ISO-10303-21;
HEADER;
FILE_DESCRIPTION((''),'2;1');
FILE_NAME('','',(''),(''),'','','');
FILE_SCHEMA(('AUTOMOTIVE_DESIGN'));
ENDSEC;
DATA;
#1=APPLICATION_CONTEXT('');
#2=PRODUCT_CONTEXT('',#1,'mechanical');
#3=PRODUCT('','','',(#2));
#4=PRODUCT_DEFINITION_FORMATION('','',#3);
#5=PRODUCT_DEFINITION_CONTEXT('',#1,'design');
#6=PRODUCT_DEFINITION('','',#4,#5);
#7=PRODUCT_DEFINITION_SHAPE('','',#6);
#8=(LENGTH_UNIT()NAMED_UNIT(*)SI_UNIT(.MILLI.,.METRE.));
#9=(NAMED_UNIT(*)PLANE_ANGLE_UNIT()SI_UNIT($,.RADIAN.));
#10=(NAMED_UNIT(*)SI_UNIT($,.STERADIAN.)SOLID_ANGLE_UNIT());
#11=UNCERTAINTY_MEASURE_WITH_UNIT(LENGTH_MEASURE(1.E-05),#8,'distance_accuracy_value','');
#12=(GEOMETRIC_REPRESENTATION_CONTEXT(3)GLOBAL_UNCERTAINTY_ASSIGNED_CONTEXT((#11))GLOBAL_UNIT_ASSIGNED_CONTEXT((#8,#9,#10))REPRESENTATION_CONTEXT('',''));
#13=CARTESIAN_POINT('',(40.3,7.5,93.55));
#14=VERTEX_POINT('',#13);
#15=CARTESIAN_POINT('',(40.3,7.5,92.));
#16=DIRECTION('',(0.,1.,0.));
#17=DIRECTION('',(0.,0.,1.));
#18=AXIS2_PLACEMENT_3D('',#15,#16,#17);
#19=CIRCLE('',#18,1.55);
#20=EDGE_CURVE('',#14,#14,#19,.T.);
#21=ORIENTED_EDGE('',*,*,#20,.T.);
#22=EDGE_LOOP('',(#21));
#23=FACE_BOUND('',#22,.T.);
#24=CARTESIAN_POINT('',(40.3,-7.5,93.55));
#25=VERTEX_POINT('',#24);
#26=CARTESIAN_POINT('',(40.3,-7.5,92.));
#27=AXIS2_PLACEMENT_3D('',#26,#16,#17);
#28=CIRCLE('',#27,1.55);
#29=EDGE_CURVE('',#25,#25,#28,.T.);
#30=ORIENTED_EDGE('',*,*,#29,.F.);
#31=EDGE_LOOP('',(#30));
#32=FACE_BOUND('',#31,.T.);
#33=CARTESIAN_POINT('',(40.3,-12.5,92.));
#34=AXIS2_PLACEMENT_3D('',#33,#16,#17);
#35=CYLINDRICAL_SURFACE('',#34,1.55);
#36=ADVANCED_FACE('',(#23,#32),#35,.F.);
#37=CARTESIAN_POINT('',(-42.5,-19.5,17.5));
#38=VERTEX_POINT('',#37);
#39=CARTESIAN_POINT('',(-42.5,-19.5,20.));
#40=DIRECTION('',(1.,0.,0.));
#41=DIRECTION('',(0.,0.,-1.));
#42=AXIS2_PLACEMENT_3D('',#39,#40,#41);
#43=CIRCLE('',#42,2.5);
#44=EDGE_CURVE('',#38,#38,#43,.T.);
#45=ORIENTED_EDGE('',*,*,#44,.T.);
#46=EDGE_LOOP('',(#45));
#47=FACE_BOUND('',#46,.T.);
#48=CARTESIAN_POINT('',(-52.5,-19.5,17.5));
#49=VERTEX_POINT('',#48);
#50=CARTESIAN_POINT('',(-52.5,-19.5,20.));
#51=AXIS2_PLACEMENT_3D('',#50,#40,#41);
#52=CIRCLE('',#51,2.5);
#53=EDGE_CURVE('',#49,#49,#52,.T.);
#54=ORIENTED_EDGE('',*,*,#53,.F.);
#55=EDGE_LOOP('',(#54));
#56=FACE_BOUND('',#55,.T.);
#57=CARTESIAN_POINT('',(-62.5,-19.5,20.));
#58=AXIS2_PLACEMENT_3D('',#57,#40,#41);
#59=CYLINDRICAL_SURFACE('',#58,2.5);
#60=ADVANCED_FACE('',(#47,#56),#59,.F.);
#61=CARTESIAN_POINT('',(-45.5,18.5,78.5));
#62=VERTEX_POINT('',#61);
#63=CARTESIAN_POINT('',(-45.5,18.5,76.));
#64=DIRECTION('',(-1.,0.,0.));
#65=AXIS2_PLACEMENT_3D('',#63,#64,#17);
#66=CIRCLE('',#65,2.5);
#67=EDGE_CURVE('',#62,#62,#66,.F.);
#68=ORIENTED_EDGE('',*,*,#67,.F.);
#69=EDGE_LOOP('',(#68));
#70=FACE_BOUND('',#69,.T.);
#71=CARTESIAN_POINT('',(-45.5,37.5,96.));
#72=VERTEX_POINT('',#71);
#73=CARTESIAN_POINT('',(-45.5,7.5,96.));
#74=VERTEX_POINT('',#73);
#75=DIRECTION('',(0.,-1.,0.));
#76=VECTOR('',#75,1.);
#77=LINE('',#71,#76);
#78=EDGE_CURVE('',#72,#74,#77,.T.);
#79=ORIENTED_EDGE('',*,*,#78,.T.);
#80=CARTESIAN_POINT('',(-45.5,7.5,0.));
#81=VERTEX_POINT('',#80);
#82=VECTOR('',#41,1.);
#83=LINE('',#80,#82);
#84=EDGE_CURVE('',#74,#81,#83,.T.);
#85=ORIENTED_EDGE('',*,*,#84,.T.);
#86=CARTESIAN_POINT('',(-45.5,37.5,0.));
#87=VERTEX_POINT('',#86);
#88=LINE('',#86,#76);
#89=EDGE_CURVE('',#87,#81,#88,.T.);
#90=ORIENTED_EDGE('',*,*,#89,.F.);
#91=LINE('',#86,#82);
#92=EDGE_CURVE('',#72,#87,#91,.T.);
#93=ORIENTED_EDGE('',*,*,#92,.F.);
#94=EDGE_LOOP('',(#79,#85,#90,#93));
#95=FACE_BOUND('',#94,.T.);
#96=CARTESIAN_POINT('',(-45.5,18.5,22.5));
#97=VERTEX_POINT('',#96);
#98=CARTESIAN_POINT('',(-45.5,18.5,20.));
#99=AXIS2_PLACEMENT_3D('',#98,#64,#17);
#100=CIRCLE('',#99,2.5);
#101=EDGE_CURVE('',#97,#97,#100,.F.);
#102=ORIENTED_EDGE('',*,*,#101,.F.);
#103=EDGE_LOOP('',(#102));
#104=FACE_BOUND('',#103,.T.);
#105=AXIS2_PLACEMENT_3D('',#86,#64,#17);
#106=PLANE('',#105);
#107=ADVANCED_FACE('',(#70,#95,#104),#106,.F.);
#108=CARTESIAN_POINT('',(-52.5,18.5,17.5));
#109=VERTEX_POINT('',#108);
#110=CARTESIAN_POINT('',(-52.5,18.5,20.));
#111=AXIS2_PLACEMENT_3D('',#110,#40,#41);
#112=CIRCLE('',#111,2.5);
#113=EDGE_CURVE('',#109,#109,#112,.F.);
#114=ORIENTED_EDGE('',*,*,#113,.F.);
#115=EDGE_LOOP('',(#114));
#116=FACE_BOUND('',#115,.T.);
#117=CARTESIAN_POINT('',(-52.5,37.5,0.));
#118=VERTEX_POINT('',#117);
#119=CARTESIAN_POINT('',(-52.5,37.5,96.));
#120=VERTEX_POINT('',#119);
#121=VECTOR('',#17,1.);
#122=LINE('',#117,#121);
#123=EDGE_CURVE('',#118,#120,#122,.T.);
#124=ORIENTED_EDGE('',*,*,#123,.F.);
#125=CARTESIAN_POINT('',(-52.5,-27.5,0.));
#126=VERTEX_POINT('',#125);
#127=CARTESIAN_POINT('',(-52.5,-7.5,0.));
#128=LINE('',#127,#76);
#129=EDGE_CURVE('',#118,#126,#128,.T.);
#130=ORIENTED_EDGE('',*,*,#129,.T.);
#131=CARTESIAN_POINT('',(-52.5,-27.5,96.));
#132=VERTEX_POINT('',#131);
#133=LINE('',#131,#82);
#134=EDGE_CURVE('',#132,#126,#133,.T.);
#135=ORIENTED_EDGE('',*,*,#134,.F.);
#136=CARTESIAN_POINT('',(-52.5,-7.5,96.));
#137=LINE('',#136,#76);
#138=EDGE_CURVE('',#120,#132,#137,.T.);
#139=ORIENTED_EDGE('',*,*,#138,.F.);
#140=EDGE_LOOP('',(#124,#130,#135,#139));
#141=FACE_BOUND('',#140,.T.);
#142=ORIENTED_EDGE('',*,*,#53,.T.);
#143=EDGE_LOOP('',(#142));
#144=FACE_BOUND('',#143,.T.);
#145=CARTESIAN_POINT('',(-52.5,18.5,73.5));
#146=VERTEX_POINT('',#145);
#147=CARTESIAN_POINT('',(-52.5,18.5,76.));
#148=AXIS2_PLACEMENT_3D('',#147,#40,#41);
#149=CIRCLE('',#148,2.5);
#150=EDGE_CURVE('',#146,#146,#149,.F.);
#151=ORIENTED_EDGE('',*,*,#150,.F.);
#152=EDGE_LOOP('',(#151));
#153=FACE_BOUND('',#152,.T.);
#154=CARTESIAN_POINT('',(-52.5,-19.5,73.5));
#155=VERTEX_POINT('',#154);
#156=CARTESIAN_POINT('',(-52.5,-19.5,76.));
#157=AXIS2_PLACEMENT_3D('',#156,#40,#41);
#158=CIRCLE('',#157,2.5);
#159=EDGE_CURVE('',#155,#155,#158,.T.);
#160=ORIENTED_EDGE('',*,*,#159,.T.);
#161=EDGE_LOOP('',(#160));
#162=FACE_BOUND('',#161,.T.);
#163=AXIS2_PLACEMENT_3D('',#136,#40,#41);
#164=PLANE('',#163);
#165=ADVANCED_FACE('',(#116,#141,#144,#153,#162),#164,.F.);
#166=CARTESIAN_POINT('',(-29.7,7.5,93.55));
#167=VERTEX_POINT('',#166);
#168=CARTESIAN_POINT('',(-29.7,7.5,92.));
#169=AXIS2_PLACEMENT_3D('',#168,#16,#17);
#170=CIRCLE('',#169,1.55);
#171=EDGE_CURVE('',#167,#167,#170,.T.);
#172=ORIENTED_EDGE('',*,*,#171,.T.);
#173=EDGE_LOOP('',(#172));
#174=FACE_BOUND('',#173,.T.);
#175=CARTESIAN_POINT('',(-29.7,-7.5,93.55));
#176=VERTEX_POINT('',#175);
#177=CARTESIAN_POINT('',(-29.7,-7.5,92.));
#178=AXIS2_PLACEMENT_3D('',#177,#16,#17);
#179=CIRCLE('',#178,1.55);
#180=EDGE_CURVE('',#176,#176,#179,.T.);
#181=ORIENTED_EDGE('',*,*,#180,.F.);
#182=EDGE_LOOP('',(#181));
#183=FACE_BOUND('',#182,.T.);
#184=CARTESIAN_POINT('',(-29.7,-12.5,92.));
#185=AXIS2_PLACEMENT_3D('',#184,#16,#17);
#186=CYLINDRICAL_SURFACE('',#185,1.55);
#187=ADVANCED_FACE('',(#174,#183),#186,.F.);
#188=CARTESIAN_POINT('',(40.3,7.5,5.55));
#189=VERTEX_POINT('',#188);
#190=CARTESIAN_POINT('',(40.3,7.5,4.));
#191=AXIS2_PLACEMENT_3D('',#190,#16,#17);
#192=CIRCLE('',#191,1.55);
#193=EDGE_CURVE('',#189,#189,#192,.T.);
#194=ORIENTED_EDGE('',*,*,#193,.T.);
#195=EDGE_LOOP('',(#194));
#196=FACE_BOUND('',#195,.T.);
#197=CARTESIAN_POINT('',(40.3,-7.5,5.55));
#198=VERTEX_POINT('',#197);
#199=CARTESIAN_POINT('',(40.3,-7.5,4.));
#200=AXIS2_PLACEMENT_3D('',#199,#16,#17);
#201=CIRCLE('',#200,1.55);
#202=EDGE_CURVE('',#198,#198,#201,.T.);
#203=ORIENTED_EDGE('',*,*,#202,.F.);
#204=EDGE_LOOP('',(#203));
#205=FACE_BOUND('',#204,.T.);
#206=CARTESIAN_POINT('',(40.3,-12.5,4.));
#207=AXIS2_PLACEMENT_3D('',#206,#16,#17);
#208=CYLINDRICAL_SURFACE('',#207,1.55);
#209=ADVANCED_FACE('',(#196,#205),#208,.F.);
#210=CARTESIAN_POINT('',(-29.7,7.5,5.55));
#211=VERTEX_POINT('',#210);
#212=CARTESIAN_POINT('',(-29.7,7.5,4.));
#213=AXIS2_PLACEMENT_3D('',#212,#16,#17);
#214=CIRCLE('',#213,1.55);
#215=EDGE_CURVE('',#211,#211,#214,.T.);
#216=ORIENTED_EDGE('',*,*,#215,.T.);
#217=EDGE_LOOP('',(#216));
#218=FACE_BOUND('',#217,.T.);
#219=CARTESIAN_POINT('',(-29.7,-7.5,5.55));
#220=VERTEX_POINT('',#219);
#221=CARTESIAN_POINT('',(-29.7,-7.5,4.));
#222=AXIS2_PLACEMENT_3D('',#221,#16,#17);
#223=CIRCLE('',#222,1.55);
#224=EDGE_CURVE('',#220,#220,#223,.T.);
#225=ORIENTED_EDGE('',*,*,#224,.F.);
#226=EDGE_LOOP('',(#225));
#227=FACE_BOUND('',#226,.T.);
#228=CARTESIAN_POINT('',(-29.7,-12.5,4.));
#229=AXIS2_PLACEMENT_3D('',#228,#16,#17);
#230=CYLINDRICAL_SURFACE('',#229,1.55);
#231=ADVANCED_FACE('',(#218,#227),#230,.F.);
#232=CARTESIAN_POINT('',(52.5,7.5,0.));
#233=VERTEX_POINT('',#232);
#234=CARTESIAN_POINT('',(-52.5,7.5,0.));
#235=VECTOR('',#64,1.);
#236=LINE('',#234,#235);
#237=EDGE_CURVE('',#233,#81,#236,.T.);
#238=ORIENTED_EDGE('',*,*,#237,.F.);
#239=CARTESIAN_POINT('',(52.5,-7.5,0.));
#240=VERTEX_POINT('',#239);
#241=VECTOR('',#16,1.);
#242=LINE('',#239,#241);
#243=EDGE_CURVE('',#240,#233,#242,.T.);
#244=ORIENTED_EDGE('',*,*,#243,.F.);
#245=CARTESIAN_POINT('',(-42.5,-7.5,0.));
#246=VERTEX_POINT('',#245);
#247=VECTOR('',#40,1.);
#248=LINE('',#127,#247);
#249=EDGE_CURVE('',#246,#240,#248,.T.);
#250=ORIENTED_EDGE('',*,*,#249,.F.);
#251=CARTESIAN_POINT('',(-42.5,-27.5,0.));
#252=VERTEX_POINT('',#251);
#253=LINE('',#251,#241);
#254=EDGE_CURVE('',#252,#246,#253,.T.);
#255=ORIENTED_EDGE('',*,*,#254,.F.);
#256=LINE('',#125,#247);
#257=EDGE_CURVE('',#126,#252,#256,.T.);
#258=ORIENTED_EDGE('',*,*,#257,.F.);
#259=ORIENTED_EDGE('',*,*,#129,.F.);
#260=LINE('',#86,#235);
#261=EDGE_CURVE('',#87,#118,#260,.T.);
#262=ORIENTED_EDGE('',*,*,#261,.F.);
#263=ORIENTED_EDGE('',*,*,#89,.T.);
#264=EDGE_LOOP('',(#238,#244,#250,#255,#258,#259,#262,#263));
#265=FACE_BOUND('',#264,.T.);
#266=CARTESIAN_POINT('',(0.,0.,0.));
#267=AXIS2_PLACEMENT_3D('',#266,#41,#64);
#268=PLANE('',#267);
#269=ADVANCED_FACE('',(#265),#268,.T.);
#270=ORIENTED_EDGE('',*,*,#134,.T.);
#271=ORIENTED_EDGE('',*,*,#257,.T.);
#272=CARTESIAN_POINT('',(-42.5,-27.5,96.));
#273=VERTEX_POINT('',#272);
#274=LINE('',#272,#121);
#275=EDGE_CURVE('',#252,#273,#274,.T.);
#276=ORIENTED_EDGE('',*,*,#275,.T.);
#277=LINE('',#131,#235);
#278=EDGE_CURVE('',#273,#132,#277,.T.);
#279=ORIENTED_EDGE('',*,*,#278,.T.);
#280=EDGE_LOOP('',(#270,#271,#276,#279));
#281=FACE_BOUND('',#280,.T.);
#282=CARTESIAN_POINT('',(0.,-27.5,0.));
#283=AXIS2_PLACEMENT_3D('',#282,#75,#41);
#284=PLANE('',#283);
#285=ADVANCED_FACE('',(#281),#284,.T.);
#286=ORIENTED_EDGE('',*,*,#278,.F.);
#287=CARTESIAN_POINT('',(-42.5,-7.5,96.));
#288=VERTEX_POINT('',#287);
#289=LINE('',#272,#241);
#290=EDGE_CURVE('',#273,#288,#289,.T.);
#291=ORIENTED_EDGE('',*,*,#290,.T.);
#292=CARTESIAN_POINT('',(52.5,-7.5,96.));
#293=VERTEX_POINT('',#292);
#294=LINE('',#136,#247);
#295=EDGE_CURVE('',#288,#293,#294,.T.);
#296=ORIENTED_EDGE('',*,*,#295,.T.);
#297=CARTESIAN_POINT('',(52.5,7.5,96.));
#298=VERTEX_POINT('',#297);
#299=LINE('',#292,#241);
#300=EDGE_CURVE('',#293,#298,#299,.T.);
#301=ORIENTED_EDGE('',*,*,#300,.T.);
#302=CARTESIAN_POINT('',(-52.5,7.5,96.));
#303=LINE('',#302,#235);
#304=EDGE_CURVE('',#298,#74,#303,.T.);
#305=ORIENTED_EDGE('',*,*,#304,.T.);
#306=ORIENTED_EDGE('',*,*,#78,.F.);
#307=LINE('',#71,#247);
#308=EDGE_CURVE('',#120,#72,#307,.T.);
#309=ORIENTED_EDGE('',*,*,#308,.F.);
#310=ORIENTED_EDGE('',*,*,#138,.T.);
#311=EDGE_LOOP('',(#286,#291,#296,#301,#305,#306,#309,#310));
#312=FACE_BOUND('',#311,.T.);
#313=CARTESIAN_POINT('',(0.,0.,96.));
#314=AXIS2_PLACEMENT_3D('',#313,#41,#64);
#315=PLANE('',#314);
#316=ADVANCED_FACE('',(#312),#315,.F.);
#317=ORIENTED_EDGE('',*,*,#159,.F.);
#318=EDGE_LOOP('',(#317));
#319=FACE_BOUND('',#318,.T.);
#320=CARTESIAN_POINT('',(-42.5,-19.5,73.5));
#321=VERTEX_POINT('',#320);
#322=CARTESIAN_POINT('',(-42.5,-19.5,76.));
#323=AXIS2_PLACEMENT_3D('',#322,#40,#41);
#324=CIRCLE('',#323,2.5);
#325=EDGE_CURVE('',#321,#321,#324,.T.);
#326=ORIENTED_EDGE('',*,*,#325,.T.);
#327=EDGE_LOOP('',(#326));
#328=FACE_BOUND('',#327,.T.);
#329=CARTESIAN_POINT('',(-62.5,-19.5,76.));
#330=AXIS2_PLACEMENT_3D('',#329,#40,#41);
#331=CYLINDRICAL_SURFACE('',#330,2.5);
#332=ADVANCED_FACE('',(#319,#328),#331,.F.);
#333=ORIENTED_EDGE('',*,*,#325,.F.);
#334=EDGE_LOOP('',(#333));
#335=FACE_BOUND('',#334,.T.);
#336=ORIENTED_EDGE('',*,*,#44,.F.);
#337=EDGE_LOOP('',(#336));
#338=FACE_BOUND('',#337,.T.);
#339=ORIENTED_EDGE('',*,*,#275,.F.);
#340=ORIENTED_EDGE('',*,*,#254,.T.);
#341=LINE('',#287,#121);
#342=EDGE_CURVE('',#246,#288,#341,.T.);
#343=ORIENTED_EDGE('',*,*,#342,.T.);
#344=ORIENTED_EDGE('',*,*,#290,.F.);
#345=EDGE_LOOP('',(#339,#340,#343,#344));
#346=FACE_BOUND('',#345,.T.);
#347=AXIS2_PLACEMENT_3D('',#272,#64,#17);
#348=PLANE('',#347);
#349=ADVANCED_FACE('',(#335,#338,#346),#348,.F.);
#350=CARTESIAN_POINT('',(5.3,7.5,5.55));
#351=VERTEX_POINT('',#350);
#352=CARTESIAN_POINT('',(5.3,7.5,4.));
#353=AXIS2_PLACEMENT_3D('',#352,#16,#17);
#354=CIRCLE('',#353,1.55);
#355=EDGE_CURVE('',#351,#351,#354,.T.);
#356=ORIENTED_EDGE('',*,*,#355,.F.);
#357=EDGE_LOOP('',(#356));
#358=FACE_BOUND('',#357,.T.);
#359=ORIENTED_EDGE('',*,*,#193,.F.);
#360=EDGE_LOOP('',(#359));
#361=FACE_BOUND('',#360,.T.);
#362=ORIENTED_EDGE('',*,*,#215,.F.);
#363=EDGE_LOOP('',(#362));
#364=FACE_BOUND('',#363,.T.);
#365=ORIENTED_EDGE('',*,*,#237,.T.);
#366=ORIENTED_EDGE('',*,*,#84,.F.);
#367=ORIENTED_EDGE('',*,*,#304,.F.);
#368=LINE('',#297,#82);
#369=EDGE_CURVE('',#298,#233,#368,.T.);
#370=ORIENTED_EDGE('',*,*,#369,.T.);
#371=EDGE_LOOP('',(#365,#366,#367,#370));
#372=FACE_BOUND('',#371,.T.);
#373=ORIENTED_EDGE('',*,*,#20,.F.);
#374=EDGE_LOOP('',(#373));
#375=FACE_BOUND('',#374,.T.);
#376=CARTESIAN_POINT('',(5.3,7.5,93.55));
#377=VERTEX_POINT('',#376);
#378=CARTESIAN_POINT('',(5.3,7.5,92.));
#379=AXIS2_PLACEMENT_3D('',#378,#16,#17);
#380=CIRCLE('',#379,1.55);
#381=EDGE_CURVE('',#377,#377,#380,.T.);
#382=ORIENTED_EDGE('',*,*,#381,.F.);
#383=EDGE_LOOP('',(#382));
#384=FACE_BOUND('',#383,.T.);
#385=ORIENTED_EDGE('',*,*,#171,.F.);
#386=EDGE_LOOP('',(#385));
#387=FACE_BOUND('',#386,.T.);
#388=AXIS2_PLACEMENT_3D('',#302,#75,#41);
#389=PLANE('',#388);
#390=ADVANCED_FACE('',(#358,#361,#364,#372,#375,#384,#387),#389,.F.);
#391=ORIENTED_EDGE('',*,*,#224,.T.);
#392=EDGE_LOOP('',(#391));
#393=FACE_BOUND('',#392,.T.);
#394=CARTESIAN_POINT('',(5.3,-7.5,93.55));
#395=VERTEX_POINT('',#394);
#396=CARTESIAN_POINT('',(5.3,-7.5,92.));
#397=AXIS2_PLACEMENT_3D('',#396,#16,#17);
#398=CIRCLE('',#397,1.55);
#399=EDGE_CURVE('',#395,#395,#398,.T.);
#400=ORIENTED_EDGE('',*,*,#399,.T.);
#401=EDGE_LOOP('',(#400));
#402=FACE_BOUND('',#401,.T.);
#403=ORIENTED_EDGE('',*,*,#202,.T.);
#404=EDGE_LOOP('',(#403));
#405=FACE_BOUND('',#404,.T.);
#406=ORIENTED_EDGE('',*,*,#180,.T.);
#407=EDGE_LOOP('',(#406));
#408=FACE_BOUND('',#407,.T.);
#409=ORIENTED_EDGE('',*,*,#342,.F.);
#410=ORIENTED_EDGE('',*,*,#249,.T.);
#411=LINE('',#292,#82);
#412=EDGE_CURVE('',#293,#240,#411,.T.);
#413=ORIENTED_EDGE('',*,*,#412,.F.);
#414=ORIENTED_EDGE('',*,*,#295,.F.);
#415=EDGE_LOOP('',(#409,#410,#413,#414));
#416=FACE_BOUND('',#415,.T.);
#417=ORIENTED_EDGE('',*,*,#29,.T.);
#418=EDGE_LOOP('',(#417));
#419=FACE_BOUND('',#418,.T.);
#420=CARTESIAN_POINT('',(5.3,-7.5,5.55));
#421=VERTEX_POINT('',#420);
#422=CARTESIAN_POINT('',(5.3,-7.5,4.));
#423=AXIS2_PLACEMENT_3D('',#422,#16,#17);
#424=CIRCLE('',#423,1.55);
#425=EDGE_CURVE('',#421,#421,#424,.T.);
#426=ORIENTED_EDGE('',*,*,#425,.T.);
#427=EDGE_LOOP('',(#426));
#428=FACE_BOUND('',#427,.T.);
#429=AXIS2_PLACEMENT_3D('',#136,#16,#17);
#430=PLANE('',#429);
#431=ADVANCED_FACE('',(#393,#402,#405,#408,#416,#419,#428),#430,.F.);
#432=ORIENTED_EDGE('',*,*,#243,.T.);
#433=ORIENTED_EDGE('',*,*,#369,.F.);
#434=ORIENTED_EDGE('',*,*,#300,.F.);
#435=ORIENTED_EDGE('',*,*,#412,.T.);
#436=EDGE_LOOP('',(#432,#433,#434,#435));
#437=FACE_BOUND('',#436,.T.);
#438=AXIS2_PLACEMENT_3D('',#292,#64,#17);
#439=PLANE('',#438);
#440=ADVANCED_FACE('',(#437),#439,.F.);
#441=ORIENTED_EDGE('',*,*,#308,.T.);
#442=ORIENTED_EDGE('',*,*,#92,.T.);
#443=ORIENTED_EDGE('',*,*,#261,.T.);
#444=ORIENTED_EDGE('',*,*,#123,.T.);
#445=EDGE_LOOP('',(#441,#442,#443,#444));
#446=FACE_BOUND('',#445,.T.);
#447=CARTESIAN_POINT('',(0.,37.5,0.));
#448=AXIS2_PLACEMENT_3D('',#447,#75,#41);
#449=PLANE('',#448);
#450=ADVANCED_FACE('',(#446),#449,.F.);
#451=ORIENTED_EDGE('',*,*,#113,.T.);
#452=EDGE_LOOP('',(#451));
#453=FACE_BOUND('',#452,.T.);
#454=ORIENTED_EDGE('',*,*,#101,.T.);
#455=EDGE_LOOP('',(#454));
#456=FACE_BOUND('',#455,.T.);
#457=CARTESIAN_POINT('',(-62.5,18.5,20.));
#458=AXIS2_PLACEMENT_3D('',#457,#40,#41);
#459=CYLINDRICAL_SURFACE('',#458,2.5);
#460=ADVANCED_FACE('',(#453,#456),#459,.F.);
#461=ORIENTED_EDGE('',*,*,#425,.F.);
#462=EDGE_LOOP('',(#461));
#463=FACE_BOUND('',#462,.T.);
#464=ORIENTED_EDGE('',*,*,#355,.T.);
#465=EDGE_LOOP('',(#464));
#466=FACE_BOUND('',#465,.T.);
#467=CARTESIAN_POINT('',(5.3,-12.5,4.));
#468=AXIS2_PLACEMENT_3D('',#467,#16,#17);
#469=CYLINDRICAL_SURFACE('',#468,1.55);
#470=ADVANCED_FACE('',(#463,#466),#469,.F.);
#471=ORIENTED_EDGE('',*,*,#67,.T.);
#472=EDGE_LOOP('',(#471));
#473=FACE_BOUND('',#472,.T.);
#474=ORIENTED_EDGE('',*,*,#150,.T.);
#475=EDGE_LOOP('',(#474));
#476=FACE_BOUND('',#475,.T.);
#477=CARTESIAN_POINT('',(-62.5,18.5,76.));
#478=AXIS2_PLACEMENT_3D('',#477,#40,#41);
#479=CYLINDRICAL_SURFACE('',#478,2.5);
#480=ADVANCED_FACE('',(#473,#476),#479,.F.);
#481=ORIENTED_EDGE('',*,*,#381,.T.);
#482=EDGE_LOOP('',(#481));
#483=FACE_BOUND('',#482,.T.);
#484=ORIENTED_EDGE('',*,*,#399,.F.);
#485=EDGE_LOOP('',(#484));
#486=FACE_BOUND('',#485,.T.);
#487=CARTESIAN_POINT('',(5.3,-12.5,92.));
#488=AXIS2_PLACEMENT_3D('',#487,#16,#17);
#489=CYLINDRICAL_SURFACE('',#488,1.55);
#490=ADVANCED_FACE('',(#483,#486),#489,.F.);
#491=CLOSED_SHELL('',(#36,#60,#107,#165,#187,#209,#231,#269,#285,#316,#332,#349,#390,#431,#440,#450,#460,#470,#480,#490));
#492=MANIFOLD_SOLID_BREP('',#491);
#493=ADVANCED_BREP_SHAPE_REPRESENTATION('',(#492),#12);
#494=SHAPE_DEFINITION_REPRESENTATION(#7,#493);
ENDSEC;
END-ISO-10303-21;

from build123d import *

# Parameters (mm, degrees)
SKIZZE1_W                       = 105
SKIZZE1_H                       = 15
AUFSATZ_LINEAR_AUSTRAGEN1_DEPTH = 96
SKIZZE3_W                       = 7
SKIZZE3_H                       = 96
AUFSATZ_LINEAR_AUSTRAGEN2_DEPTH = 30
SKIZZE4_W                       = 10
SKIZZE4_H                       = 96
AUFSATZ_LINEAR_AUSTRAGEN3_DEPTH = 20
SKIZZE5_R                       = 1.55
SCHNITT_LINEAR_AUSTRAGEN1_DEPTH = 20
SKIZZE6_R                       = 2.5
SCHNITT_LINEAR_AUSTRAGEN2_DEPTH = 20


with BuildPart() as part:
    # Skizze1 → Aufsatz-Linear austragen1 (new body)
    with BuildSketch(Plane.XY):
        Rectangle(SKIZZE1_W, SKIZZE1_H)
    extrude(amount=AUFSATZ_LINEAR_AUSTRAGEN1_DEPTH)

    # Skizze3 → Aufsatz-Linear austragen2 (add)
    with BuildSketch(Plane(origin=(0, 7.5, 0), x_dir=(1, 0, 0), z_dir=(0, 1, 0))):
        with Locations((-49, -48)):
            Rectangle(SKIZZE3_W, SKIZZE3_H)
    extrude(amount=AUFSATZ_LINEAR_AUSTRAGEN2_DEPTH)

    # Skizze4 → Aufsatz-Linear austragen3 (add)
    with BuildSketch(Plane.XZ.offset(7.5)):
        with Locations((-47.5, 48)):
            Rectangle(SKIZZE4_W, SKIZZE4_H)
    extrude(amount=AUFSATZ_LINEAR_AUSTRAGEN3_DEPTH)

    # Skizze5 → Schnitt-Linear austragen1 (cut)
    with BuildSketch(Plane(origin=(0, 7.5, 0), x_dir=(1, 0, 0), z_dir=(0, 1, 0))):
        with Locations(Location((40.3, -92, 0), (0, 0, 270))):
            Circle(SKIZZE5_R)
        with Locations(Location((40.3, -4, 0), (0, 0, 270))):
            Circle(SKIZZE5_R)
        with Locations(Location((5.3, -4, 0), (0, 0, 270))):
            Circle(SKIZZE5_R)
        with Locations(Location((5.3, -92, 0), (0, 0, 270))):
            Circle(SKIZZE5_R)
        with Locations(Location((-29.7, -4, 0), (0, 0, 270))):
            Circle(SKIZZE5_R)
        with Locations(Location((-29.7, -92, 0), (0, 0, 270))):
            Circle(SKIZZE5_R)
    extrude(amount=-SCHNITT_LINEAR_AUSTRAGEN1_DEPTH, mode=Mode.SUBTRACT)

    # Skizze6 → Schnitt-Linear austragen2 (cut)
    with BuildSketch(Plane(origin=(-42.5, 0, 0), x_dir=(0, 0, -1), z_dir=(1, 0, 0))):
        with Locations((-76, -19.5)):
            Circle(SKIZZE6_R)
        with Locations((-20, -19.5)):
            Circle(SKIZZE6_R)
    schnitt_linear_austragen2 = extrude(amount=-SCHNITT_LINEAR_AUSTRAGEN2_DEPTH, mode=Mode.SUBTRACT)

    # Spiegeln1: Schnitt-Linear austragen2 across plane
    add(schnitt_linear_austragen2.mirror(Plane.ZX.offset(-0.5)), mode=Mode.SUBTRACT)


solid = part.part
